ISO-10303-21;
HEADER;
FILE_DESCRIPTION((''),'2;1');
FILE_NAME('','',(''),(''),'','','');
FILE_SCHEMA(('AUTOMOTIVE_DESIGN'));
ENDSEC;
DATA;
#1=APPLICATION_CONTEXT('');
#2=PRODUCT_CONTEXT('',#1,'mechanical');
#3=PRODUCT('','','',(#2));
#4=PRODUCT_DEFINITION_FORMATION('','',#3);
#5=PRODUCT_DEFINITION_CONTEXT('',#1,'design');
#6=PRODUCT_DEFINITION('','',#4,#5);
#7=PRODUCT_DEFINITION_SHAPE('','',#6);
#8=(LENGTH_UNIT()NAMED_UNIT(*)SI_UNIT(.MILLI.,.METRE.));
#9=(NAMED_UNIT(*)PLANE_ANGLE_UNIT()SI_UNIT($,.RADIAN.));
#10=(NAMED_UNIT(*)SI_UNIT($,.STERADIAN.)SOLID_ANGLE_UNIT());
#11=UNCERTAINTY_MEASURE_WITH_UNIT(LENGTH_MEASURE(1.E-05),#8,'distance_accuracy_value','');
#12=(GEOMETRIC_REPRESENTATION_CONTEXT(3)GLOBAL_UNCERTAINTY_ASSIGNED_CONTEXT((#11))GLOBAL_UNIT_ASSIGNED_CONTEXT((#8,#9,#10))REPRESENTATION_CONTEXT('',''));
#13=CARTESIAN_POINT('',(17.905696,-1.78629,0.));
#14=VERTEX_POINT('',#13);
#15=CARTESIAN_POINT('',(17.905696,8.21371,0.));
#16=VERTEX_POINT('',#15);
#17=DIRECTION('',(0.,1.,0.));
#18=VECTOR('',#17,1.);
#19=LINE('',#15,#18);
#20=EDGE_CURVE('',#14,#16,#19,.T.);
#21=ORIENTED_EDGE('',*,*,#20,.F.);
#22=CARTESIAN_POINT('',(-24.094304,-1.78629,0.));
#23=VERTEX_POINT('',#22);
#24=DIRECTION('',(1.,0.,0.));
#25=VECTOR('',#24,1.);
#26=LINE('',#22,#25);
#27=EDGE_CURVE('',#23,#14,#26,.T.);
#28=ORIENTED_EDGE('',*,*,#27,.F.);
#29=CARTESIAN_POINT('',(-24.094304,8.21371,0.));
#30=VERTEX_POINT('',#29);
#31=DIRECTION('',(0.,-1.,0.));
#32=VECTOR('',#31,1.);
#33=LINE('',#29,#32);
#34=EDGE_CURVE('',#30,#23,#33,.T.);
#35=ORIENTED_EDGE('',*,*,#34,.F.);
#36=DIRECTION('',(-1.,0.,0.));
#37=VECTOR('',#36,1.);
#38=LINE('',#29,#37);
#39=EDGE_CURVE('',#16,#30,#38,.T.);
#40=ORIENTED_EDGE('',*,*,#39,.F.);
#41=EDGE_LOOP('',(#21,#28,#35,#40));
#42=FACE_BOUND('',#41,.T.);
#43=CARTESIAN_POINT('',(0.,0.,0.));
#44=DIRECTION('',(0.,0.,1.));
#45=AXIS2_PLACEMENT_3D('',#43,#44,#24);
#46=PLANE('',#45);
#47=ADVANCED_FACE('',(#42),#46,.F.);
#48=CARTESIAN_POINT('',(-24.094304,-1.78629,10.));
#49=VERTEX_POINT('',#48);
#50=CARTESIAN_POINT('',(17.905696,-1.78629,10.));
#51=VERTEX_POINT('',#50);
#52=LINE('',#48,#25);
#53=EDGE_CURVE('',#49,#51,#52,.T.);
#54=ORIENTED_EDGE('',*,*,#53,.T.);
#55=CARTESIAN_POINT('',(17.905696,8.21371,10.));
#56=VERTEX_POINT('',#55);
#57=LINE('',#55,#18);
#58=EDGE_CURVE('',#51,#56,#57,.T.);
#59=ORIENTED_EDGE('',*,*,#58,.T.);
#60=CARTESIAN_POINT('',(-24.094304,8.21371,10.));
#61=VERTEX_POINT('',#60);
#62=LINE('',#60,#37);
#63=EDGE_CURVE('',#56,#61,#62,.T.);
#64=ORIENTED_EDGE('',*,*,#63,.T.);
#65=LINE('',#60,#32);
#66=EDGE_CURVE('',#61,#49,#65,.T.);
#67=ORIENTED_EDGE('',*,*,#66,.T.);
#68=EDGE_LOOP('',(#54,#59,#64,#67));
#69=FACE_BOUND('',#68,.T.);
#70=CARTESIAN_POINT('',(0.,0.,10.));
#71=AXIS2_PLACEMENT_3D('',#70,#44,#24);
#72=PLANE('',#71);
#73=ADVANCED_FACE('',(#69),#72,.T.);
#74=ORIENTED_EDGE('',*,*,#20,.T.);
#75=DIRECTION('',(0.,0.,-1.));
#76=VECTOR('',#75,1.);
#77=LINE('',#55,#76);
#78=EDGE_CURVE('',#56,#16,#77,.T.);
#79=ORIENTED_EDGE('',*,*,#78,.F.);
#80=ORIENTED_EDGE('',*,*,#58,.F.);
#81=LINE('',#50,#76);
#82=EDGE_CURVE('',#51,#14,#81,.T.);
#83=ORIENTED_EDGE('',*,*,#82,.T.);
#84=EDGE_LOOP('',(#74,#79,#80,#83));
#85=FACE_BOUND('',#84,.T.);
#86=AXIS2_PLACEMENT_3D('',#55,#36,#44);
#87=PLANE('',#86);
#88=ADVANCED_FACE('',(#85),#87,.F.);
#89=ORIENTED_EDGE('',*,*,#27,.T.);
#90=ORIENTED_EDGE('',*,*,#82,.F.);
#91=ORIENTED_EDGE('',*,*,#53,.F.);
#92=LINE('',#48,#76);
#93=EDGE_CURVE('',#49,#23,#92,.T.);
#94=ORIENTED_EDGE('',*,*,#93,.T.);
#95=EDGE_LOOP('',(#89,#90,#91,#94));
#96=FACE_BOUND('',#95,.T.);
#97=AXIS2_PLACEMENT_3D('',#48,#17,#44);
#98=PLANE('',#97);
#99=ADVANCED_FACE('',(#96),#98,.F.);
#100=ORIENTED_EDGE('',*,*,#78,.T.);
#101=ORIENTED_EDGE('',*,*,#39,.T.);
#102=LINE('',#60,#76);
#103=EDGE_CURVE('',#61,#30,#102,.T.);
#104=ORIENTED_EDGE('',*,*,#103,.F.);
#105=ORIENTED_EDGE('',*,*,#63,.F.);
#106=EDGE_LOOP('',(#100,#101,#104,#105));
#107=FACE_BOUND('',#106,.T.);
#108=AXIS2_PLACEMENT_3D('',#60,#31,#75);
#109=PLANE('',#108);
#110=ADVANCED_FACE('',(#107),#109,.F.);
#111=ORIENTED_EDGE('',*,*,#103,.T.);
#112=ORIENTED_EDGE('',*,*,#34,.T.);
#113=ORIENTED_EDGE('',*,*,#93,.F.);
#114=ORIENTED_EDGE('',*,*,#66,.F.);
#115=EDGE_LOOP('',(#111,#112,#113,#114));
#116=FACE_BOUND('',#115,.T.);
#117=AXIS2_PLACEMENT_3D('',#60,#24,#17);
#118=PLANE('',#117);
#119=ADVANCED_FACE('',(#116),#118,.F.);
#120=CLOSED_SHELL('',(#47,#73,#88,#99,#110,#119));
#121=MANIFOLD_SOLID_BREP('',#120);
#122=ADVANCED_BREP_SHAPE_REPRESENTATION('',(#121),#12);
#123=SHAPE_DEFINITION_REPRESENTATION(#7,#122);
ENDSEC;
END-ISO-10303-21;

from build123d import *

# Parameters (mm, degrees)
SKETCH_1_W      = 42
SKETCH_1_H      = 10
EXTRUDE_1_DEPTH = 10


with BuildPart() as part:
    # 草圖1 → 填料-伸長1 (new body)
    with BuildSketch(Plane.XY):
        with Locations((-3.09430438, 3.213709677)):
            Rectangle(SKETCH_1_W, SKETCH_1_H)
    extrude(amount=EXTRUDE_1_DEPTH)


solid = part.part
